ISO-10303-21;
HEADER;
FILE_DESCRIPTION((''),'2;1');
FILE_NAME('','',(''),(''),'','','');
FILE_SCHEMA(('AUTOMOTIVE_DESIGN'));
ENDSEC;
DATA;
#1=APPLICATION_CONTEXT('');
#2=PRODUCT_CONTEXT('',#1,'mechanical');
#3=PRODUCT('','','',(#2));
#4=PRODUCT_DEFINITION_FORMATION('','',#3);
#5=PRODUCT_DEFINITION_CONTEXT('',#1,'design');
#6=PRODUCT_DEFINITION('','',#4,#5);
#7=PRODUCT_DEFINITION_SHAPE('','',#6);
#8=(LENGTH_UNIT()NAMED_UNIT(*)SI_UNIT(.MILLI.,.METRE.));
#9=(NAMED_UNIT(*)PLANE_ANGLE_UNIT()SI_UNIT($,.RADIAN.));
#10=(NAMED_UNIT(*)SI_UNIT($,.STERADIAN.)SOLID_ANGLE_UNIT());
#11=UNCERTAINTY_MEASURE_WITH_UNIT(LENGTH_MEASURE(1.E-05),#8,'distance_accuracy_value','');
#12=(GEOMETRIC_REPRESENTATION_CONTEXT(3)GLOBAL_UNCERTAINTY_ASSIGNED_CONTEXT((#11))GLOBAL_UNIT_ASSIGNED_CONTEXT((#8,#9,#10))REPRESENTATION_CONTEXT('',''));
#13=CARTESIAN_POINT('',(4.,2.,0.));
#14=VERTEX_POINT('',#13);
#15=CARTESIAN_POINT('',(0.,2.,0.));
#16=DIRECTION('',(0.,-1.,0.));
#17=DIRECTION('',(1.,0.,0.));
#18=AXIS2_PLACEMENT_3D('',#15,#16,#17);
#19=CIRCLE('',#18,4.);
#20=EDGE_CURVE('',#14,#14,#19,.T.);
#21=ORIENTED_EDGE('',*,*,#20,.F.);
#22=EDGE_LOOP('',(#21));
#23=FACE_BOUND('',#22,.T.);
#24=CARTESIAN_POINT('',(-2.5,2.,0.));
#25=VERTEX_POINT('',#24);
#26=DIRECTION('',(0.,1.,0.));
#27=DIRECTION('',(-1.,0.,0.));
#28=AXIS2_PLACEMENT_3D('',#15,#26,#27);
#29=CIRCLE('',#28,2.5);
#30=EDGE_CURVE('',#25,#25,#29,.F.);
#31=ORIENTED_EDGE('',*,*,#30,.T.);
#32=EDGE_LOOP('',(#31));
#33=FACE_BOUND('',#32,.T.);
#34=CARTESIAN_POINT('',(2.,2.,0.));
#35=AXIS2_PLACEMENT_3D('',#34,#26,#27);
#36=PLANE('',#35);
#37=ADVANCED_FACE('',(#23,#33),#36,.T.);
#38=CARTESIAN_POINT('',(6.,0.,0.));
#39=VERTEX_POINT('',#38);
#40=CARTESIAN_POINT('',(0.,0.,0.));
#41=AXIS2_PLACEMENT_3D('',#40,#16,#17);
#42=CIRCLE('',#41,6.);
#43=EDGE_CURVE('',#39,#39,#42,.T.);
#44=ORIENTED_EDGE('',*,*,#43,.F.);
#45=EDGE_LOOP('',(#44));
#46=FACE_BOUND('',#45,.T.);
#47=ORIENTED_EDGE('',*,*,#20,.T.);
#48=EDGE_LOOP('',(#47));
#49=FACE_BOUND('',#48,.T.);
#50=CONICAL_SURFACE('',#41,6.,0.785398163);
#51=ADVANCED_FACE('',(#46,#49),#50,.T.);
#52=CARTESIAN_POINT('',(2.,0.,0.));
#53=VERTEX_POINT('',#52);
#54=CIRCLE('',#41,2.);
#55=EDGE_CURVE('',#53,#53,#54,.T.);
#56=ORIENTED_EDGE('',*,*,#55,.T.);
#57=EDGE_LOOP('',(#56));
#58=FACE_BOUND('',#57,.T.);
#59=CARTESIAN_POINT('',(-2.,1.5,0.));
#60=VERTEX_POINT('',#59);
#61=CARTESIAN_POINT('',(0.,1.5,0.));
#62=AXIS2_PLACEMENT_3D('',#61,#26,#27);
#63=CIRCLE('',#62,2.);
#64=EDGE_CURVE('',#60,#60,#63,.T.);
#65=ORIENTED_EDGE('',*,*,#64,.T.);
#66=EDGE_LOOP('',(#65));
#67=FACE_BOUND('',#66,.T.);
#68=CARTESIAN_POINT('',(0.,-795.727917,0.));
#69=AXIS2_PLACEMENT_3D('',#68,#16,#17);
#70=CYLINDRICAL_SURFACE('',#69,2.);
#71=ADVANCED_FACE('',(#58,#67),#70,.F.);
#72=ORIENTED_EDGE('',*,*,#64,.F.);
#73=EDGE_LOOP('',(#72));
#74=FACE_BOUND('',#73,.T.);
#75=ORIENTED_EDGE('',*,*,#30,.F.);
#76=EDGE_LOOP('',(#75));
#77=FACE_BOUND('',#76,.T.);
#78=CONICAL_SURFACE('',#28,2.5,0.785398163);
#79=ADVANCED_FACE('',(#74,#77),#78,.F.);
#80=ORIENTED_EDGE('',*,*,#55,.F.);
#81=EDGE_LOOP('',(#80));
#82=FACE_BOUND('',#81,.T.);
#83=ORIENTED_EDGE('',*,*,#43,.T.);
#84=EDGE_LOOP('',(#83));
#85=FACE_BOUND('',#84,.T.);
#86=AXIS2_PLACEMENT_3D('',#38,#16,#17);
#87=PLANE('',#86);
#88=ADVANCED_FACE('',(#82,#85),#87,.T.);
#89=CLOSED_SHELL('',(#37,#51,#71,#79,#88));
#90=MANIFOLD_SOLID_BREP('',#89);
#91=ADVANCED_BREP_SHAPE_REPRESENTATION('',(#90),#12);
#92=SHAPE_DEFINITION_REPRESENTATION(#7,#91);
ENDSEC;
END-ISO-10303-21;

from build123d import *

# Parameters (mm, degrees)
CHAMFER1_SIZE = 0.5


with BuildPart() as part:
    # Sketch1 → Revolve1 (revolve)
    with BuildSketch(Plane.XY):
        Polygon((2, 0), (2, 2), (4, 2), (6, 0), align=None)
    revolve(axis=Axis((0, -795.727916551, 0), (0, 1, 0)))

    # Chamfer1
    chamfer1_edges = [part.edges().sort_by_distance(p)[0] for p in [
        (-2, 2, 0),
    ]]
    chamfer(chamfer1_edges, length=CHAMFER1_SIZE)


solid = part.part
